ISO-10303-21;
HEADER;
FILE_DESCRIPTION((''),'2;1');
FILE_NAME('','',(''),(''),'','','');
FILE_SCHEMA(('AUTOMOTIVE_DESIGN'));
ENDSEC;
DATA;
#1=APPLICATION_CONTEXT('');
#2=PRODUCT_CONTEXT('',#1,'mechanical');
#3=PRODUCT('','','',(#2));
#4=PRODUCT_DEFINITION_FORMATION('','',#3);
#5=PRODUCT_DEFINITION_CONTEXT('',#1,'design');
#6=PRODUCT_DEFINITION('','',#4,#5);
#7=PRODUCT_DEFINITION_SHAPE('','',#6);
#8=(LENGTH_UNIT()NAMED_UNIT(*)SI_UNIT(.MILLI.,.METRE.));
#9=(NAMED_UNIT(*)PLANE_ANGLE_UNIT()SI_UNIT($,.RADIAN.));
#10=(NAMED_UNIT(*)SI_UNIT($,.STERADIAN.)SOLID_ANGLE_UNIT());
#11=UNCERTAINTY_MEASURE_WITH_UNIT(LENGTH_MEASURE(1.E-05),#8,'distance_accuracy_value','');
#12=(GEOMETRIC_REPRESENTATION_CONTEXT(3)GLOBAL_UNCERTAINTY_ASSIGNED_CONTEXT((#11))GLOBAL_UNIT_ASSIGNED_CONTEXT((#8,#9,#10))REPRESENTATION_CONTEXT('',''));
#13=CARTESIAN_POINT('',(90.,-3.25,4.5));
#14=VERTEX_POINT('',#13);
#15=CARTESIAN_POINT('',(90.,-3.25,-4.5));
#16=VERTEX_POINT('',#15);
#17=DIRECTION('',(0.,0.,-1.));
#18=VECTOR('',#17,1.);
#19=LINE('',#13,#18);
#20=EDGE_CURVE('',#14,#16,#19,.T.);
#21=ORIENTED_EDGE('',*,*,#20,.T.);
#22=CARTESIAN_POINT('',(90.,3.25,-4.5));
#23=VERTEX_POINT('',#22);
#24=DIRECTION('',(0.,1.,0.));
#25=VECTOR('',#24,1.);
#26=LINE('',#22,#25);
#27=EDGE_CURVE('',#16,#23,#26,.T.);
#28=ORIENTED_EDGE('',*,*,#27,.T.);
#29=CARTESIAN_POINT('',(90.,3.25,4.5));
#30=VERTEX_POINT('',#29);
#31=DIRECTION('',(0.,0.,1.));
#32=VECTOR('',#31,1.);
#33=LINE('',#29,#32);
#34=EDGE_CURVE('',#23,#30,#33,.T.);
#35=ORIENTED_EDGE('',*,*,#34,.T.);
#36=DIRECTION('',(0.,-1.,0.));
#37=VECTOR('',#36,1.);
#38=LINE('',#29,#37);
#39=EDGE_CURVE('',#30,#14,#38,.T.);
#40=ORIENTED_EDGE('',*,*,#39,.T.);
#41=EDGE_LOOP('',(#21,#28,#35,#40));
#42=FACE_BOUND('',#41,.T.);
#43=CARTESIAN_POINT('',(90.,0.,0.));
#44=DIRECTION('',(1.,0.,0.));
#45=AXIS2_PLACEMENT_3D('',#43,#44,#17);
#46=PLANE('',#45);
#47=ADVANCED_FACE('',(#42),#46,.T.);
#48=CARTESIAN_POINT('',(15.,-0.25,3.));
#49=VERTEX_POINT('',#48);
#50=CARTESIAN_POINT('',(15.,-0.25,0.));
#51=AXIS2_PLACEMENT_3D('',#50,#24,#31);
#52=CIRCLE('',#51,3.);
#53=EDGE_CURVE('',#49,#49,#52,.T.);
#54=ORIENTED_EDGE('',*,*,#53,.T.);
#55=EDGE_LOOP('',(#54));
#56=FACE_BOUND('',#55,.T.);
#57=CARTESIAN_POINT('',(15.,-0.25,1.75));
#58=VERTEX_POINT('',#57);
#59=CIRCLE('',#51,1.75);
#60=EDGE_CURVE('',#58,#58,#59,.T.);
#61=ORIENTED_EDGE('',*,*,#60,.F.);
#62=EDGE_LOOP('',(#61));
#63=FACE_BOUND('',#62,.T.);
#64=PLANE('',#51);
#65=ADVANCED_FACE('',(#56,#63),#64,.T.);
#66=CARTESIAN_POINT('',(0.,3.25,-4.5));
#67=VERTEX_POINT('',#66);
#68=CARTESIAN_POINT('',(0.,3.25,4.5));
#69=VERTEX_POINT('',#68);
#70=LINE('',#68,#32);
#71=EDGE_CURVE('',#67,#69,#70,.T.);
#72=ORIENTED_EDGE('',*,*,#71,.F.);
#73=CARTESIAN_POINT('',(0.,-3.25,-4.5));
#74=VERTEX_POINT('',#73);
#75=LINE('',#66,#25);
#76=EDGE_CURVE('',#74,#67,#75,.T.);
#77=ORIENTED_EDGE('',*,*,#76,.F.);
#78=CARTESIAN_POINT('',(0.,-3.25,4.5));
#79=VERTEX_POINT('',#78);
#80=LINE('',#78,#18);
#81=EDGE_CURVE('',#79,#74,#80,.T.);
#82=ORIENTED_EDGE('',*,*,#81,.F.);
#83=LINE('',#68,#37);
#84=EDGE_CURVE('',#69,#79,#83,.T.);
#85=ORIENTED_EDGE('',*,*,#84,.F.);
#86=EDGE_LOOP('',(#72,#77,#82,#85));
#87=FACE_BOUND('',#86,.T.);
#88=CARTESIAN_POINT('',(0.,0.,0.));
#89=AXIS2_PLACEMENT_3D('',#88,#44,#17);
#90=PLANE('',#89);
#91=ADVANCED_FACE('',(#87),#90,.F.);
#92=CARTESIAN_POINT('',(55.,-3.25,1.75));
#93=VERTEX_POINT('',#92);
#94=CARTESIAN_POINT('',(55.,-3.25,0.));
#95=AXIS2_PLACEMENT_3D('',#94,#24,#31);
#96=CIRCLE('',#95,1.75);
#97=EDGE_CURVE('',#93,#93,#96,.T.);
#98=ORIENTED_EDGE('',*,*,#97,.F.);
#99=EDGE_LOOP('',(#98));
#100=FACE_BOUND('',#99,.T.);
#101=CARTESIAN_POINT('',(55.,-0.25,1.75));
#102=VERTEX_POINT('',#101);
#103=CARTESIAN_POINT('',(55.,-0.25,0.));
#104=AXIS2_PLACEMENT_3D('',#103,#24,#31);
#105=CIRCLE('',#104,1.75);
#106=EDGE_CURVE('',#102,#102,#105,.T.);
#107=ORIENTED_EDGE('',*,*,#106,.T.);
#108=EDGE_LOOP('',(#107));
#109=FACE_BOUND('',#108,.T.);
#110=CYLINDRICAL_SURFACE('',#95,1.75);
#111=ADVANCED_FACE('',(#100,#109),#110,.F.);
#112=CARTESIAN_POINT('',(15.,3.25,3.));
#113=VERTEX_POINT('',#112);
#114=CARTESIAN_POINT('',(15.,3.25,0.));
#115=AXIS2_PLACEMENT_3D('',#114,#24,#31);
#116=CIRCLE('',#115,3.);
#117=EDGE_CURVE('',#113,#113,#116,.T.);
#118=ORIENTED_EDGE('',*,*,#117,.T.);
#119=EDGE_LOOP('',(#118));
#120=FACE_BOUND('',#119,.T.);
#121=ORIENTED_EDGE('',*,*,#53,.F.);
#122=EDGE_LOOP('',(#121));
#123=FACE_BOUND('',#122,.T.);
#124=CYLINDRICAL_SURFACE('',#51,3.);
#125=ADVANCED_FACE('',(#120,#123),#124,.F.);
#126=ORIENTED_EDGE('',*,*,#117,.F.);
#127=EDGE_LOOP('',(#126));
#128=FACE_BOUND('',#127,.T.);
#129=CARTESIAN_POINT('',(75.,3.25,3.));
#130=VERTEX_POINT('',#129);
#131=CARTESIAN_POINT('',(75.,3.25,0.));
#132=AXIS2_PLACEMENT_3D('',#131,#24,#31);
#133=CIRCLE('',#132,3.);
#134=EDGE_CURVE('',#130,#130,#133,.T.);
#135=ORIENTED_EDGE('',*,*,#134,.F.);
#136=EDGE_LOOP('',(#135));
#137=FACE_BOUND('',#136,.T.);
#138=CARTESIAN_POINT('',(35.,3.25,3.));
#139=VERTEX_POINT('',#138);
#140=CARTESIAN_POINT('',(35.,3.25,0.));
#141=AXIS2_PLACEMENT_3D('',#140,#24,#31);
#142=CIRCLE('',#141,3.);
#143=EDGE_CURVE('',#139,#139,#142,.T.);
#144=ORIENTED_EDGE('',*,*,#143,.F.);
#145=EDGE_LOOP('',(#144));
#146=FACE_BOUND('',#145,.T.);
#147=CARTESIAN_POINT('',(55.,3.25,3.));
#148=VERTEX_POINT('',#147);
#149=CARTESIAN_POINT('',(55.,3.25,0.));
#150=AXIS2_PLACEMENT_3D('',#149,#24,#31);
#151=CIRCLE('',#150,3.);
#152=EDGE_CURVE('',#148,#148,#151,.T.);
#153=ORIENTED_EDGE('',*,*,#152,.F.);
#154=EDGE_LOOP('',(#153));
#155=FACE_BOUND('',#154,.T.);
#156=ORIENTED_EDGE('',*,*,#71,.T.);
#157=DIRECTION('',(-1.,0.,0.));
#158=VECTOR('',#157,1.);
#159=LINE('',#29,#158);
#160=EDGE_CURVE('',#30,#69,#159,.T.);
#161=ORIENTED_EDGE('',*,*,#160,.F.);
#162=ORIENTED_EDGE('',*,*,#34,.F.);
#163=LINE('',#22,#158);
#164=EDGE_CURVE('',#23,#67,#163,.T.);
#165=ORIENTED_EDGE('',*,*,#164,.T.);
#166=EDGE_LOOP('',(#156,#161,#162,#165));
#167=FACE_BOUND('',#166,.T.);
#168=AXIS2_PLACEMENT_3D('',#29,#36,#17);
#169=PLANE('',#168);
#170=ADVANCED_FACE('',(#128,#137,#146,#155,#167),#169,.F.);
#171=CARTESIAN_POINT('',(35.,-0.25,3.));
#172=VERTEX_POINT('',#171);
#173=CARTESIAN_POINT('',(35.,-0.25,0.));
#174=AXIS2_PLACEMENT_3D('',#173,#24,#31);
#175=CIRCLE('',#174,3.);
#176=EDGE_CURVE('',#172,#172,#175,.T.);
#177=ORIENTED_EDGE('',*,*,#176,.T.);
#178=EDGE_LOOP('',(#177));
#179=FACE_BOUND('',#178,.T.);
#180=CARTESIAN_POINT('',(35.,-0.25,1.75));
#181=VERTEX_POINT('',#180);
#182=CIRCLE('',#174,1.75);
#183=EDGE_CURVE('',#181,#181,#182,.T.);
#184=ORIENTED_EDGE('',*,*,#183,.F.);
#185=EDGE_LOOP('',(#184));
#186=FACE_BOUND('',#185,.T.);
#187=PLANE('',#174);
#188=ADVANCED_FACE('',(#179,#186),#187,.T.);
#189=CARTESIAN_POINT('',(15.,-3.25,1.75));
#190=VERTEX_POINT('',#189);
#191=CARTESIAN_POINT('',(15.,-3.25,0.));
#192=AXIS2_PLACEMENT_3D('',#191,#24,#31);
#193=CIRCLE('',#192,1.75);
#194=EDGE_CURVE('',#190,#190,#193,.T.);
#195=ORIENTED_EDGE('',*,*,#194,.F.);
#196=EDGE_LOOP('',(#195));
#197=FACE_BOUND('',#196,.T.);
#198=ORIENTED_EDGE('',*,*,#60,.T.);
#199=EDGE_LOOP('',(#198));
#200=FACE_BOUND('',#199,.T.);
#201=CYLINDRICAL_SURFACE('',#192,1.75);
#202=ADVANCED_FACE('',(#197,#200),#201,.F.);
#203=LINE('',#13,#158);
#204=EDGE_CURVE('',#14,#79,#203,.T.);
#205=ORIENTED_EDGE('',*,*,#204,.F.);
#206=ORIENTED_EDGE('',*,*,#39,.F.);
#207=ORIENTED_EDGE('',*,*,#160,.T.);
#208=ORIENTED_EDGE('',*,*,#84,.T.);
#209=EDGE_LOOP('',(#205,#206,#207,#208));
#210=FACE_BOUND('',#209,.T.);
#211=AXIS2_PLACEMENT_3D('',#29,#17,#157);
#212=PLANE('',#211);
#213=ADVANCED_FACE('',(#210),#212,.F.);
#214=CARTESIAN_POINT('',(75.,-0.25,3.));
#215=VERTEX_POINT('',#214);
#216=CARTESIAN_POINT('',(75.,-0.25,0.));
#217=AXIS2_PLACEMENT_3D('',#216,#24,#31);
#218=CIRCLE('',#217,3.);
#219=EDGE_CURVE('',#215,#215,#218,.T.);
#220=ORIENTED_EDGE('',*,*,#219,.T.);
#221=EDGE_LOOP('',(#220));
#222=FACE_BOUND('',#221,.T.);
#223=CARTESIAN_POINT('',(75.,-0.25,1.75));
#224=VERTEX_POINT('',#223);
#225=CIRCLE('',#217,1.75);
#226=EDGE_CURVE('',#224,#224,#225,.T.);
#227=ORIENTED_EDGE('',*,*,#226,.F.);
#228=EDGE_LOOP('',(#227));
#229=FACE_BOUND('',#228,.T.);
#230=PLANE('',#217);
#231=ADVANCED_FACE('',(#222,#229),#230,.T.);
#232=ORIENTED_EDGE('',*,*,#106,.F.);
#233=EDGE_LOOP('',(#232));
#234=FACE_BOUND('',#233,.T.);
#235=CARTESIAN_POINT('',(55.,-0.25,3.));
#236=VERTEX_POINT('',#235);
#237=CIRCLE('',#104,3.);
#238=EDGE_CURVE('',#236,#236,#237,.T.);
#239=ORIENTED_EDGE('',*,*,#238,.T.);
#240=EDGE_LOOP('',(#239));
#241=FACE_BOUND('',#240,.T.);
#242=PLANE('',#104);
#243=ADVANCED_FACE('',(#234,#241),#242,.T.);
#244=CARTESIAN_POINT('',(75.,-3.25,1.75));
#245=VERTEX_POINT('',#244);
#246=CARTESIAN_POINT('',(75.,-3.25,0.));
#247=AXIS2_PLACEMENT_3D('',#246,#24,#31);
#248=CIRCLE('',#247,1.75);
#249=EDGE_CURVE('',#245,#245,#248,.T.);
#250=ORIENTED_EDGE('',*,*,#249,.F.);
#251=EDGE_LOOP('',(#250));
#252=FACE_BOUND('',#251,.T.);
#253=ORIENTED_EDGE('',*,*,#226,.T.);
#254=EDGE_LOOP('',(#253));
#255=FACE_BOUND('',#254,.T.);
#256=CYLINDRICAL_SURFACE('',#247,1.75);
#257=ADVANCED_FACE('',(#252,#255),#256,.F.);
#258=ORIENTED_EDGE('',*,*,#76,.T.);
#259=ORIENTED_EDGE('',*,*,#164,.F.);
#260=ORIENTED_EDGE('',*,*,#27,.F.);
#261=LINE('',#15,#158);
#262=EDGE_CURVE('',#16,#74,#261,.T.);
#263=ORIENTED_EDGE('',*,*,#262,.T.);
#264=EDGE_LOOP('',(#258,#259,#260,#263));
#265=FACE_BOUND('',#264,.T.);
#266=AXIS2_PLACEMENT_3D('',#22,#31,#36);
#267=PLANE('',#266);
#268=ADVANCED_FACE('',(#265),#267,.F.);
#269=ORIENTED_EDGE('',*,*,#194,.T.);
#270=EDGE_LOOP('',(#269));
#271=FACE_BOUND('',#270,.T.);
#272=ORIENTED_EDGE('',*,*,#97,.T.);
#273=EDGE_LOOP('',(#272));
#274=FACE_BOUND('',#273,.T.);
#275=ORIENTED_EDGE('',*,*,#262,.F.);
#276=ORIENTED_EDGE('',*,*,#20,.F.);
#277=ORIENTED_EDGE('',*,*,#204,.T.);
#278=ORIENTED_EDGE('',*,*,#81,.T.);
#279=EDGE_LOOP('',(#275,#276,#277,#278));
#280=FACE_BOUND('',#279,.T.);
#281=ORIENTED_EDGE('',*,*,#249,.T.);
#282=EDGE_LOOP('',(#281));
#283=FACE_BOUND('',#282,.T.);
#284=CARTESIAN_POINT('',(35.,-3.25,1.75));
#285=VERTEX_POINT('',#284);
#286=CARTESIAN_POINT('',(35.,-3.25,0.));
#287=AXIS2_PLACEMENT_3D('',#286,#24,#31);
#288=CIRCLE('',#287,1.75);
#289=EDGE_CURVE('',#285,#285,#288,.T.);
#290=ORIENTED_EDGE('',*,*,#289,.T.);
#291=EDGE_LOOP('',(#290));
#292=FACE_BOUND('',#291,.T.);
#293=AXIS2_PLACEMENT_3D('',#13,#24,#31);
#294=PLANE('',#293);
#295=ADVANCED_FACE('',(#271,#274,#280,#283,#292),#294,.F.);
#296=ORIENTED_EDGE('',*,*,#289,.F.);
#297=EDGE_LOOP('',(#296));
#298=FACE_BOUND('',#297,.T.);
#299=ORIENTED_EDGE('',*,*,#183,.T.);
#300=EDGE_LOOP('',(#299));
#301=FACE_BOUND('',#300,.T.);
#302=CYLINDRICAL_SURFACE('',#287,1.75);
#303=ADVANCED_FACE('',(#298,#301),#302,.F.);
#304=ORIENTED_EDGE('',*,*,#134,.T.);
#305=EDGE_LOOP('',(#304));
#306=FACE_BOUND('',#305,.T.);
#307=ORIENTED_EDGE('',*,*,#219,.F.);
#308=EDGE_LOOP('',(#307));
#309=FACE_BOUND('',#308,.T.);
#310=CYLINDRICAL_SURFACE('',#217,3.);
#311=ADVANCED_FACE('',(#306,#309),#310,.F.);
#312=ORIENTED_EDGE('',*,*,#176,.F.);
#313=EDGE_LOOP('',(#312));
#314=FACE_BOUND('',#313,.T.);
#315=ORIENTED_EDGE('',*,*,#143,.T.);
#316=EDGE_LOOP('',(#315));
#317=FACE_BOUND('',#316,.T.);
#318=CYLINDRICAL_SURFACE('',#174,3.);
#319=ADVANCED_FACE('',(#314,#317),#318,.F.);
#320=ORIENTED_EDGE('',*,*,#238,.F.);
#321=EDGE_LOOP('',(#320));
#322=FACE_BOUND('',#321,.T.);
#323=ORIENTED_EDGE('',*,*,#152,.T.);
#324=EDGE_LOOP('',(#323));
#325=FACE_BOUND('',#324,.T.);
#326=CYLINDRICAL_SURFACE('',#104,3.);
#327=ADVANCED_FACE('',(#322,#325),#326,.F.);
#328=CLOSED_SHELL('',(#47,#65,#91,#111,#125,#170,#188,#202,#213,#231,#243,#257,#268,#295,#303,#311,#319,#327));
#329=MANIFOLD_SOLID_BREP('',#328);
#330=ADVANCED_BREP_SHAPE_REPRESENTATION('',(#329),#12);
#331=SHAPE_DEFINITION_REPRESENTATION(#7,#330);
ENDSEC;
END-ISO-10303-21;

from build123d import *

# Parameters (mm, degrees)
SKETCH_2_W          = 9
SKETCH_2_H          = 6.5
EXTRUDE_1_DEPTH     = 90
SKETCH_3_R          = 3
CUT_EXTRUDE_1_DEPTH = 3.5
SKETCH_4_R          = 1.75
CUT_EXTRUDE_2_DEPTH = 91.346554998


with BuildPart() as part:
    # 草图2 → 凸台-拉伸1 (new body)
    with BuildSketch(Plane(origin=(0, 0, 0), x_dir=(0, 0, -1), z_dir=(1, 0, 0))):
        Rectangle(SKETCH_2_W, SKETCH_2_H)
    extrude(amount=EXTRUDE_1_DEPTH)

    # 草图3 → 切除-拉伸1 (cut)
    with BuildSketch(Plane(origin=(0, 3.25, 0), x_dir=(1, 0, 0), z_dir=(0, 1, 0))):
        with Locations(Location((15, 0, 0), (0, 0, 270))):
            Circle(SKETCH_3_R)
        with Locations(Location((35, 0, 0), (0, 0, 270))):
            Circle(SKETCH_3_R)
        with Locations(Location((55, 0, 0), (0, 0, 270))):
            Circle(SKETCH_3_R)
        with Locations(Location((75, 0, 0), (0, 0, 270))):
            Circle(SKETCH_3_R)
        with Locations((95, 0)):
            Circle(SKETCH_3_R)
        with Locations((115, 0)):
            Circle(SKETCH_3_R)
        with Locations((135, 0)):
            Circle(SKETCH_3_R)
        with Locations((155, 0)):
            Circle(SKETCH_3_R)
        with Locations((175, 0)):
            Circle(SKETCH_3_R)
        with Locations((195, 0)):
            Circle(SKETCH_3_R)
        with Locations((215, 0)):
            Circle(SKETCH_3_R)
        with Locations((235, 0)):
            Circle(SKETCH_3_R)
        with Locations((255, 0)):
            Circle(SKETCH_3_R)
    extrude(amount=-CUT_EXTRUDE_1_DEPTH, mode=Mode.SUBTRACT)

    # 草图4 → 切除-拉伸2 (cut, through all)
    with BuildSketch(Plane(origin=(0, 3.25, 0), x_dir=(1, 0, 0), z_dir=(0, 1, 0))):
        with Locations(Location((15, 0, 0), (0, 0, 270))):
            Circle(SKETCH_4_R)
        with Locations(Location((35, 0, 0), (0, 0, 270))):
            Circle(SKETCH_4_R)
        with Locations(Location((55, 0, 0), (0, 0, 270))):
            Circle(SKETCH_4_R)
        with Locations(Location((75, 0, 0), (0, 0, 270))):
            Circle(SKETCH_4_R)
        with Locations((95, 0)):
            Circle(SKETCH_4_R)
        with Locations((115, 0)):
            Circle(SKETCH_4_R)
        with Locations((135, 0)):
            Circle(SKETCH_4_R)
        with Locations((155, 0)):
            Circle(SKETCH_4_R)
        with Locations((175, 0)):
            Circle(SKETCH_4_R)
        with Locations((195, 0)):
            Circle(SKETCH_4_R)
        with Locations((215, 0)):
            Circle(SKETCH_4_R)
        with Locations((235, 0)):
            Circle(SKETCH_4_R)
        with Locations((255, 0)):
            Circle(SKETCH_4_R)
    extrude(amount=-CUT_EXTRUDE_2_DEPTH, mode=Mode.SUBTRACT)


solid = part.part
